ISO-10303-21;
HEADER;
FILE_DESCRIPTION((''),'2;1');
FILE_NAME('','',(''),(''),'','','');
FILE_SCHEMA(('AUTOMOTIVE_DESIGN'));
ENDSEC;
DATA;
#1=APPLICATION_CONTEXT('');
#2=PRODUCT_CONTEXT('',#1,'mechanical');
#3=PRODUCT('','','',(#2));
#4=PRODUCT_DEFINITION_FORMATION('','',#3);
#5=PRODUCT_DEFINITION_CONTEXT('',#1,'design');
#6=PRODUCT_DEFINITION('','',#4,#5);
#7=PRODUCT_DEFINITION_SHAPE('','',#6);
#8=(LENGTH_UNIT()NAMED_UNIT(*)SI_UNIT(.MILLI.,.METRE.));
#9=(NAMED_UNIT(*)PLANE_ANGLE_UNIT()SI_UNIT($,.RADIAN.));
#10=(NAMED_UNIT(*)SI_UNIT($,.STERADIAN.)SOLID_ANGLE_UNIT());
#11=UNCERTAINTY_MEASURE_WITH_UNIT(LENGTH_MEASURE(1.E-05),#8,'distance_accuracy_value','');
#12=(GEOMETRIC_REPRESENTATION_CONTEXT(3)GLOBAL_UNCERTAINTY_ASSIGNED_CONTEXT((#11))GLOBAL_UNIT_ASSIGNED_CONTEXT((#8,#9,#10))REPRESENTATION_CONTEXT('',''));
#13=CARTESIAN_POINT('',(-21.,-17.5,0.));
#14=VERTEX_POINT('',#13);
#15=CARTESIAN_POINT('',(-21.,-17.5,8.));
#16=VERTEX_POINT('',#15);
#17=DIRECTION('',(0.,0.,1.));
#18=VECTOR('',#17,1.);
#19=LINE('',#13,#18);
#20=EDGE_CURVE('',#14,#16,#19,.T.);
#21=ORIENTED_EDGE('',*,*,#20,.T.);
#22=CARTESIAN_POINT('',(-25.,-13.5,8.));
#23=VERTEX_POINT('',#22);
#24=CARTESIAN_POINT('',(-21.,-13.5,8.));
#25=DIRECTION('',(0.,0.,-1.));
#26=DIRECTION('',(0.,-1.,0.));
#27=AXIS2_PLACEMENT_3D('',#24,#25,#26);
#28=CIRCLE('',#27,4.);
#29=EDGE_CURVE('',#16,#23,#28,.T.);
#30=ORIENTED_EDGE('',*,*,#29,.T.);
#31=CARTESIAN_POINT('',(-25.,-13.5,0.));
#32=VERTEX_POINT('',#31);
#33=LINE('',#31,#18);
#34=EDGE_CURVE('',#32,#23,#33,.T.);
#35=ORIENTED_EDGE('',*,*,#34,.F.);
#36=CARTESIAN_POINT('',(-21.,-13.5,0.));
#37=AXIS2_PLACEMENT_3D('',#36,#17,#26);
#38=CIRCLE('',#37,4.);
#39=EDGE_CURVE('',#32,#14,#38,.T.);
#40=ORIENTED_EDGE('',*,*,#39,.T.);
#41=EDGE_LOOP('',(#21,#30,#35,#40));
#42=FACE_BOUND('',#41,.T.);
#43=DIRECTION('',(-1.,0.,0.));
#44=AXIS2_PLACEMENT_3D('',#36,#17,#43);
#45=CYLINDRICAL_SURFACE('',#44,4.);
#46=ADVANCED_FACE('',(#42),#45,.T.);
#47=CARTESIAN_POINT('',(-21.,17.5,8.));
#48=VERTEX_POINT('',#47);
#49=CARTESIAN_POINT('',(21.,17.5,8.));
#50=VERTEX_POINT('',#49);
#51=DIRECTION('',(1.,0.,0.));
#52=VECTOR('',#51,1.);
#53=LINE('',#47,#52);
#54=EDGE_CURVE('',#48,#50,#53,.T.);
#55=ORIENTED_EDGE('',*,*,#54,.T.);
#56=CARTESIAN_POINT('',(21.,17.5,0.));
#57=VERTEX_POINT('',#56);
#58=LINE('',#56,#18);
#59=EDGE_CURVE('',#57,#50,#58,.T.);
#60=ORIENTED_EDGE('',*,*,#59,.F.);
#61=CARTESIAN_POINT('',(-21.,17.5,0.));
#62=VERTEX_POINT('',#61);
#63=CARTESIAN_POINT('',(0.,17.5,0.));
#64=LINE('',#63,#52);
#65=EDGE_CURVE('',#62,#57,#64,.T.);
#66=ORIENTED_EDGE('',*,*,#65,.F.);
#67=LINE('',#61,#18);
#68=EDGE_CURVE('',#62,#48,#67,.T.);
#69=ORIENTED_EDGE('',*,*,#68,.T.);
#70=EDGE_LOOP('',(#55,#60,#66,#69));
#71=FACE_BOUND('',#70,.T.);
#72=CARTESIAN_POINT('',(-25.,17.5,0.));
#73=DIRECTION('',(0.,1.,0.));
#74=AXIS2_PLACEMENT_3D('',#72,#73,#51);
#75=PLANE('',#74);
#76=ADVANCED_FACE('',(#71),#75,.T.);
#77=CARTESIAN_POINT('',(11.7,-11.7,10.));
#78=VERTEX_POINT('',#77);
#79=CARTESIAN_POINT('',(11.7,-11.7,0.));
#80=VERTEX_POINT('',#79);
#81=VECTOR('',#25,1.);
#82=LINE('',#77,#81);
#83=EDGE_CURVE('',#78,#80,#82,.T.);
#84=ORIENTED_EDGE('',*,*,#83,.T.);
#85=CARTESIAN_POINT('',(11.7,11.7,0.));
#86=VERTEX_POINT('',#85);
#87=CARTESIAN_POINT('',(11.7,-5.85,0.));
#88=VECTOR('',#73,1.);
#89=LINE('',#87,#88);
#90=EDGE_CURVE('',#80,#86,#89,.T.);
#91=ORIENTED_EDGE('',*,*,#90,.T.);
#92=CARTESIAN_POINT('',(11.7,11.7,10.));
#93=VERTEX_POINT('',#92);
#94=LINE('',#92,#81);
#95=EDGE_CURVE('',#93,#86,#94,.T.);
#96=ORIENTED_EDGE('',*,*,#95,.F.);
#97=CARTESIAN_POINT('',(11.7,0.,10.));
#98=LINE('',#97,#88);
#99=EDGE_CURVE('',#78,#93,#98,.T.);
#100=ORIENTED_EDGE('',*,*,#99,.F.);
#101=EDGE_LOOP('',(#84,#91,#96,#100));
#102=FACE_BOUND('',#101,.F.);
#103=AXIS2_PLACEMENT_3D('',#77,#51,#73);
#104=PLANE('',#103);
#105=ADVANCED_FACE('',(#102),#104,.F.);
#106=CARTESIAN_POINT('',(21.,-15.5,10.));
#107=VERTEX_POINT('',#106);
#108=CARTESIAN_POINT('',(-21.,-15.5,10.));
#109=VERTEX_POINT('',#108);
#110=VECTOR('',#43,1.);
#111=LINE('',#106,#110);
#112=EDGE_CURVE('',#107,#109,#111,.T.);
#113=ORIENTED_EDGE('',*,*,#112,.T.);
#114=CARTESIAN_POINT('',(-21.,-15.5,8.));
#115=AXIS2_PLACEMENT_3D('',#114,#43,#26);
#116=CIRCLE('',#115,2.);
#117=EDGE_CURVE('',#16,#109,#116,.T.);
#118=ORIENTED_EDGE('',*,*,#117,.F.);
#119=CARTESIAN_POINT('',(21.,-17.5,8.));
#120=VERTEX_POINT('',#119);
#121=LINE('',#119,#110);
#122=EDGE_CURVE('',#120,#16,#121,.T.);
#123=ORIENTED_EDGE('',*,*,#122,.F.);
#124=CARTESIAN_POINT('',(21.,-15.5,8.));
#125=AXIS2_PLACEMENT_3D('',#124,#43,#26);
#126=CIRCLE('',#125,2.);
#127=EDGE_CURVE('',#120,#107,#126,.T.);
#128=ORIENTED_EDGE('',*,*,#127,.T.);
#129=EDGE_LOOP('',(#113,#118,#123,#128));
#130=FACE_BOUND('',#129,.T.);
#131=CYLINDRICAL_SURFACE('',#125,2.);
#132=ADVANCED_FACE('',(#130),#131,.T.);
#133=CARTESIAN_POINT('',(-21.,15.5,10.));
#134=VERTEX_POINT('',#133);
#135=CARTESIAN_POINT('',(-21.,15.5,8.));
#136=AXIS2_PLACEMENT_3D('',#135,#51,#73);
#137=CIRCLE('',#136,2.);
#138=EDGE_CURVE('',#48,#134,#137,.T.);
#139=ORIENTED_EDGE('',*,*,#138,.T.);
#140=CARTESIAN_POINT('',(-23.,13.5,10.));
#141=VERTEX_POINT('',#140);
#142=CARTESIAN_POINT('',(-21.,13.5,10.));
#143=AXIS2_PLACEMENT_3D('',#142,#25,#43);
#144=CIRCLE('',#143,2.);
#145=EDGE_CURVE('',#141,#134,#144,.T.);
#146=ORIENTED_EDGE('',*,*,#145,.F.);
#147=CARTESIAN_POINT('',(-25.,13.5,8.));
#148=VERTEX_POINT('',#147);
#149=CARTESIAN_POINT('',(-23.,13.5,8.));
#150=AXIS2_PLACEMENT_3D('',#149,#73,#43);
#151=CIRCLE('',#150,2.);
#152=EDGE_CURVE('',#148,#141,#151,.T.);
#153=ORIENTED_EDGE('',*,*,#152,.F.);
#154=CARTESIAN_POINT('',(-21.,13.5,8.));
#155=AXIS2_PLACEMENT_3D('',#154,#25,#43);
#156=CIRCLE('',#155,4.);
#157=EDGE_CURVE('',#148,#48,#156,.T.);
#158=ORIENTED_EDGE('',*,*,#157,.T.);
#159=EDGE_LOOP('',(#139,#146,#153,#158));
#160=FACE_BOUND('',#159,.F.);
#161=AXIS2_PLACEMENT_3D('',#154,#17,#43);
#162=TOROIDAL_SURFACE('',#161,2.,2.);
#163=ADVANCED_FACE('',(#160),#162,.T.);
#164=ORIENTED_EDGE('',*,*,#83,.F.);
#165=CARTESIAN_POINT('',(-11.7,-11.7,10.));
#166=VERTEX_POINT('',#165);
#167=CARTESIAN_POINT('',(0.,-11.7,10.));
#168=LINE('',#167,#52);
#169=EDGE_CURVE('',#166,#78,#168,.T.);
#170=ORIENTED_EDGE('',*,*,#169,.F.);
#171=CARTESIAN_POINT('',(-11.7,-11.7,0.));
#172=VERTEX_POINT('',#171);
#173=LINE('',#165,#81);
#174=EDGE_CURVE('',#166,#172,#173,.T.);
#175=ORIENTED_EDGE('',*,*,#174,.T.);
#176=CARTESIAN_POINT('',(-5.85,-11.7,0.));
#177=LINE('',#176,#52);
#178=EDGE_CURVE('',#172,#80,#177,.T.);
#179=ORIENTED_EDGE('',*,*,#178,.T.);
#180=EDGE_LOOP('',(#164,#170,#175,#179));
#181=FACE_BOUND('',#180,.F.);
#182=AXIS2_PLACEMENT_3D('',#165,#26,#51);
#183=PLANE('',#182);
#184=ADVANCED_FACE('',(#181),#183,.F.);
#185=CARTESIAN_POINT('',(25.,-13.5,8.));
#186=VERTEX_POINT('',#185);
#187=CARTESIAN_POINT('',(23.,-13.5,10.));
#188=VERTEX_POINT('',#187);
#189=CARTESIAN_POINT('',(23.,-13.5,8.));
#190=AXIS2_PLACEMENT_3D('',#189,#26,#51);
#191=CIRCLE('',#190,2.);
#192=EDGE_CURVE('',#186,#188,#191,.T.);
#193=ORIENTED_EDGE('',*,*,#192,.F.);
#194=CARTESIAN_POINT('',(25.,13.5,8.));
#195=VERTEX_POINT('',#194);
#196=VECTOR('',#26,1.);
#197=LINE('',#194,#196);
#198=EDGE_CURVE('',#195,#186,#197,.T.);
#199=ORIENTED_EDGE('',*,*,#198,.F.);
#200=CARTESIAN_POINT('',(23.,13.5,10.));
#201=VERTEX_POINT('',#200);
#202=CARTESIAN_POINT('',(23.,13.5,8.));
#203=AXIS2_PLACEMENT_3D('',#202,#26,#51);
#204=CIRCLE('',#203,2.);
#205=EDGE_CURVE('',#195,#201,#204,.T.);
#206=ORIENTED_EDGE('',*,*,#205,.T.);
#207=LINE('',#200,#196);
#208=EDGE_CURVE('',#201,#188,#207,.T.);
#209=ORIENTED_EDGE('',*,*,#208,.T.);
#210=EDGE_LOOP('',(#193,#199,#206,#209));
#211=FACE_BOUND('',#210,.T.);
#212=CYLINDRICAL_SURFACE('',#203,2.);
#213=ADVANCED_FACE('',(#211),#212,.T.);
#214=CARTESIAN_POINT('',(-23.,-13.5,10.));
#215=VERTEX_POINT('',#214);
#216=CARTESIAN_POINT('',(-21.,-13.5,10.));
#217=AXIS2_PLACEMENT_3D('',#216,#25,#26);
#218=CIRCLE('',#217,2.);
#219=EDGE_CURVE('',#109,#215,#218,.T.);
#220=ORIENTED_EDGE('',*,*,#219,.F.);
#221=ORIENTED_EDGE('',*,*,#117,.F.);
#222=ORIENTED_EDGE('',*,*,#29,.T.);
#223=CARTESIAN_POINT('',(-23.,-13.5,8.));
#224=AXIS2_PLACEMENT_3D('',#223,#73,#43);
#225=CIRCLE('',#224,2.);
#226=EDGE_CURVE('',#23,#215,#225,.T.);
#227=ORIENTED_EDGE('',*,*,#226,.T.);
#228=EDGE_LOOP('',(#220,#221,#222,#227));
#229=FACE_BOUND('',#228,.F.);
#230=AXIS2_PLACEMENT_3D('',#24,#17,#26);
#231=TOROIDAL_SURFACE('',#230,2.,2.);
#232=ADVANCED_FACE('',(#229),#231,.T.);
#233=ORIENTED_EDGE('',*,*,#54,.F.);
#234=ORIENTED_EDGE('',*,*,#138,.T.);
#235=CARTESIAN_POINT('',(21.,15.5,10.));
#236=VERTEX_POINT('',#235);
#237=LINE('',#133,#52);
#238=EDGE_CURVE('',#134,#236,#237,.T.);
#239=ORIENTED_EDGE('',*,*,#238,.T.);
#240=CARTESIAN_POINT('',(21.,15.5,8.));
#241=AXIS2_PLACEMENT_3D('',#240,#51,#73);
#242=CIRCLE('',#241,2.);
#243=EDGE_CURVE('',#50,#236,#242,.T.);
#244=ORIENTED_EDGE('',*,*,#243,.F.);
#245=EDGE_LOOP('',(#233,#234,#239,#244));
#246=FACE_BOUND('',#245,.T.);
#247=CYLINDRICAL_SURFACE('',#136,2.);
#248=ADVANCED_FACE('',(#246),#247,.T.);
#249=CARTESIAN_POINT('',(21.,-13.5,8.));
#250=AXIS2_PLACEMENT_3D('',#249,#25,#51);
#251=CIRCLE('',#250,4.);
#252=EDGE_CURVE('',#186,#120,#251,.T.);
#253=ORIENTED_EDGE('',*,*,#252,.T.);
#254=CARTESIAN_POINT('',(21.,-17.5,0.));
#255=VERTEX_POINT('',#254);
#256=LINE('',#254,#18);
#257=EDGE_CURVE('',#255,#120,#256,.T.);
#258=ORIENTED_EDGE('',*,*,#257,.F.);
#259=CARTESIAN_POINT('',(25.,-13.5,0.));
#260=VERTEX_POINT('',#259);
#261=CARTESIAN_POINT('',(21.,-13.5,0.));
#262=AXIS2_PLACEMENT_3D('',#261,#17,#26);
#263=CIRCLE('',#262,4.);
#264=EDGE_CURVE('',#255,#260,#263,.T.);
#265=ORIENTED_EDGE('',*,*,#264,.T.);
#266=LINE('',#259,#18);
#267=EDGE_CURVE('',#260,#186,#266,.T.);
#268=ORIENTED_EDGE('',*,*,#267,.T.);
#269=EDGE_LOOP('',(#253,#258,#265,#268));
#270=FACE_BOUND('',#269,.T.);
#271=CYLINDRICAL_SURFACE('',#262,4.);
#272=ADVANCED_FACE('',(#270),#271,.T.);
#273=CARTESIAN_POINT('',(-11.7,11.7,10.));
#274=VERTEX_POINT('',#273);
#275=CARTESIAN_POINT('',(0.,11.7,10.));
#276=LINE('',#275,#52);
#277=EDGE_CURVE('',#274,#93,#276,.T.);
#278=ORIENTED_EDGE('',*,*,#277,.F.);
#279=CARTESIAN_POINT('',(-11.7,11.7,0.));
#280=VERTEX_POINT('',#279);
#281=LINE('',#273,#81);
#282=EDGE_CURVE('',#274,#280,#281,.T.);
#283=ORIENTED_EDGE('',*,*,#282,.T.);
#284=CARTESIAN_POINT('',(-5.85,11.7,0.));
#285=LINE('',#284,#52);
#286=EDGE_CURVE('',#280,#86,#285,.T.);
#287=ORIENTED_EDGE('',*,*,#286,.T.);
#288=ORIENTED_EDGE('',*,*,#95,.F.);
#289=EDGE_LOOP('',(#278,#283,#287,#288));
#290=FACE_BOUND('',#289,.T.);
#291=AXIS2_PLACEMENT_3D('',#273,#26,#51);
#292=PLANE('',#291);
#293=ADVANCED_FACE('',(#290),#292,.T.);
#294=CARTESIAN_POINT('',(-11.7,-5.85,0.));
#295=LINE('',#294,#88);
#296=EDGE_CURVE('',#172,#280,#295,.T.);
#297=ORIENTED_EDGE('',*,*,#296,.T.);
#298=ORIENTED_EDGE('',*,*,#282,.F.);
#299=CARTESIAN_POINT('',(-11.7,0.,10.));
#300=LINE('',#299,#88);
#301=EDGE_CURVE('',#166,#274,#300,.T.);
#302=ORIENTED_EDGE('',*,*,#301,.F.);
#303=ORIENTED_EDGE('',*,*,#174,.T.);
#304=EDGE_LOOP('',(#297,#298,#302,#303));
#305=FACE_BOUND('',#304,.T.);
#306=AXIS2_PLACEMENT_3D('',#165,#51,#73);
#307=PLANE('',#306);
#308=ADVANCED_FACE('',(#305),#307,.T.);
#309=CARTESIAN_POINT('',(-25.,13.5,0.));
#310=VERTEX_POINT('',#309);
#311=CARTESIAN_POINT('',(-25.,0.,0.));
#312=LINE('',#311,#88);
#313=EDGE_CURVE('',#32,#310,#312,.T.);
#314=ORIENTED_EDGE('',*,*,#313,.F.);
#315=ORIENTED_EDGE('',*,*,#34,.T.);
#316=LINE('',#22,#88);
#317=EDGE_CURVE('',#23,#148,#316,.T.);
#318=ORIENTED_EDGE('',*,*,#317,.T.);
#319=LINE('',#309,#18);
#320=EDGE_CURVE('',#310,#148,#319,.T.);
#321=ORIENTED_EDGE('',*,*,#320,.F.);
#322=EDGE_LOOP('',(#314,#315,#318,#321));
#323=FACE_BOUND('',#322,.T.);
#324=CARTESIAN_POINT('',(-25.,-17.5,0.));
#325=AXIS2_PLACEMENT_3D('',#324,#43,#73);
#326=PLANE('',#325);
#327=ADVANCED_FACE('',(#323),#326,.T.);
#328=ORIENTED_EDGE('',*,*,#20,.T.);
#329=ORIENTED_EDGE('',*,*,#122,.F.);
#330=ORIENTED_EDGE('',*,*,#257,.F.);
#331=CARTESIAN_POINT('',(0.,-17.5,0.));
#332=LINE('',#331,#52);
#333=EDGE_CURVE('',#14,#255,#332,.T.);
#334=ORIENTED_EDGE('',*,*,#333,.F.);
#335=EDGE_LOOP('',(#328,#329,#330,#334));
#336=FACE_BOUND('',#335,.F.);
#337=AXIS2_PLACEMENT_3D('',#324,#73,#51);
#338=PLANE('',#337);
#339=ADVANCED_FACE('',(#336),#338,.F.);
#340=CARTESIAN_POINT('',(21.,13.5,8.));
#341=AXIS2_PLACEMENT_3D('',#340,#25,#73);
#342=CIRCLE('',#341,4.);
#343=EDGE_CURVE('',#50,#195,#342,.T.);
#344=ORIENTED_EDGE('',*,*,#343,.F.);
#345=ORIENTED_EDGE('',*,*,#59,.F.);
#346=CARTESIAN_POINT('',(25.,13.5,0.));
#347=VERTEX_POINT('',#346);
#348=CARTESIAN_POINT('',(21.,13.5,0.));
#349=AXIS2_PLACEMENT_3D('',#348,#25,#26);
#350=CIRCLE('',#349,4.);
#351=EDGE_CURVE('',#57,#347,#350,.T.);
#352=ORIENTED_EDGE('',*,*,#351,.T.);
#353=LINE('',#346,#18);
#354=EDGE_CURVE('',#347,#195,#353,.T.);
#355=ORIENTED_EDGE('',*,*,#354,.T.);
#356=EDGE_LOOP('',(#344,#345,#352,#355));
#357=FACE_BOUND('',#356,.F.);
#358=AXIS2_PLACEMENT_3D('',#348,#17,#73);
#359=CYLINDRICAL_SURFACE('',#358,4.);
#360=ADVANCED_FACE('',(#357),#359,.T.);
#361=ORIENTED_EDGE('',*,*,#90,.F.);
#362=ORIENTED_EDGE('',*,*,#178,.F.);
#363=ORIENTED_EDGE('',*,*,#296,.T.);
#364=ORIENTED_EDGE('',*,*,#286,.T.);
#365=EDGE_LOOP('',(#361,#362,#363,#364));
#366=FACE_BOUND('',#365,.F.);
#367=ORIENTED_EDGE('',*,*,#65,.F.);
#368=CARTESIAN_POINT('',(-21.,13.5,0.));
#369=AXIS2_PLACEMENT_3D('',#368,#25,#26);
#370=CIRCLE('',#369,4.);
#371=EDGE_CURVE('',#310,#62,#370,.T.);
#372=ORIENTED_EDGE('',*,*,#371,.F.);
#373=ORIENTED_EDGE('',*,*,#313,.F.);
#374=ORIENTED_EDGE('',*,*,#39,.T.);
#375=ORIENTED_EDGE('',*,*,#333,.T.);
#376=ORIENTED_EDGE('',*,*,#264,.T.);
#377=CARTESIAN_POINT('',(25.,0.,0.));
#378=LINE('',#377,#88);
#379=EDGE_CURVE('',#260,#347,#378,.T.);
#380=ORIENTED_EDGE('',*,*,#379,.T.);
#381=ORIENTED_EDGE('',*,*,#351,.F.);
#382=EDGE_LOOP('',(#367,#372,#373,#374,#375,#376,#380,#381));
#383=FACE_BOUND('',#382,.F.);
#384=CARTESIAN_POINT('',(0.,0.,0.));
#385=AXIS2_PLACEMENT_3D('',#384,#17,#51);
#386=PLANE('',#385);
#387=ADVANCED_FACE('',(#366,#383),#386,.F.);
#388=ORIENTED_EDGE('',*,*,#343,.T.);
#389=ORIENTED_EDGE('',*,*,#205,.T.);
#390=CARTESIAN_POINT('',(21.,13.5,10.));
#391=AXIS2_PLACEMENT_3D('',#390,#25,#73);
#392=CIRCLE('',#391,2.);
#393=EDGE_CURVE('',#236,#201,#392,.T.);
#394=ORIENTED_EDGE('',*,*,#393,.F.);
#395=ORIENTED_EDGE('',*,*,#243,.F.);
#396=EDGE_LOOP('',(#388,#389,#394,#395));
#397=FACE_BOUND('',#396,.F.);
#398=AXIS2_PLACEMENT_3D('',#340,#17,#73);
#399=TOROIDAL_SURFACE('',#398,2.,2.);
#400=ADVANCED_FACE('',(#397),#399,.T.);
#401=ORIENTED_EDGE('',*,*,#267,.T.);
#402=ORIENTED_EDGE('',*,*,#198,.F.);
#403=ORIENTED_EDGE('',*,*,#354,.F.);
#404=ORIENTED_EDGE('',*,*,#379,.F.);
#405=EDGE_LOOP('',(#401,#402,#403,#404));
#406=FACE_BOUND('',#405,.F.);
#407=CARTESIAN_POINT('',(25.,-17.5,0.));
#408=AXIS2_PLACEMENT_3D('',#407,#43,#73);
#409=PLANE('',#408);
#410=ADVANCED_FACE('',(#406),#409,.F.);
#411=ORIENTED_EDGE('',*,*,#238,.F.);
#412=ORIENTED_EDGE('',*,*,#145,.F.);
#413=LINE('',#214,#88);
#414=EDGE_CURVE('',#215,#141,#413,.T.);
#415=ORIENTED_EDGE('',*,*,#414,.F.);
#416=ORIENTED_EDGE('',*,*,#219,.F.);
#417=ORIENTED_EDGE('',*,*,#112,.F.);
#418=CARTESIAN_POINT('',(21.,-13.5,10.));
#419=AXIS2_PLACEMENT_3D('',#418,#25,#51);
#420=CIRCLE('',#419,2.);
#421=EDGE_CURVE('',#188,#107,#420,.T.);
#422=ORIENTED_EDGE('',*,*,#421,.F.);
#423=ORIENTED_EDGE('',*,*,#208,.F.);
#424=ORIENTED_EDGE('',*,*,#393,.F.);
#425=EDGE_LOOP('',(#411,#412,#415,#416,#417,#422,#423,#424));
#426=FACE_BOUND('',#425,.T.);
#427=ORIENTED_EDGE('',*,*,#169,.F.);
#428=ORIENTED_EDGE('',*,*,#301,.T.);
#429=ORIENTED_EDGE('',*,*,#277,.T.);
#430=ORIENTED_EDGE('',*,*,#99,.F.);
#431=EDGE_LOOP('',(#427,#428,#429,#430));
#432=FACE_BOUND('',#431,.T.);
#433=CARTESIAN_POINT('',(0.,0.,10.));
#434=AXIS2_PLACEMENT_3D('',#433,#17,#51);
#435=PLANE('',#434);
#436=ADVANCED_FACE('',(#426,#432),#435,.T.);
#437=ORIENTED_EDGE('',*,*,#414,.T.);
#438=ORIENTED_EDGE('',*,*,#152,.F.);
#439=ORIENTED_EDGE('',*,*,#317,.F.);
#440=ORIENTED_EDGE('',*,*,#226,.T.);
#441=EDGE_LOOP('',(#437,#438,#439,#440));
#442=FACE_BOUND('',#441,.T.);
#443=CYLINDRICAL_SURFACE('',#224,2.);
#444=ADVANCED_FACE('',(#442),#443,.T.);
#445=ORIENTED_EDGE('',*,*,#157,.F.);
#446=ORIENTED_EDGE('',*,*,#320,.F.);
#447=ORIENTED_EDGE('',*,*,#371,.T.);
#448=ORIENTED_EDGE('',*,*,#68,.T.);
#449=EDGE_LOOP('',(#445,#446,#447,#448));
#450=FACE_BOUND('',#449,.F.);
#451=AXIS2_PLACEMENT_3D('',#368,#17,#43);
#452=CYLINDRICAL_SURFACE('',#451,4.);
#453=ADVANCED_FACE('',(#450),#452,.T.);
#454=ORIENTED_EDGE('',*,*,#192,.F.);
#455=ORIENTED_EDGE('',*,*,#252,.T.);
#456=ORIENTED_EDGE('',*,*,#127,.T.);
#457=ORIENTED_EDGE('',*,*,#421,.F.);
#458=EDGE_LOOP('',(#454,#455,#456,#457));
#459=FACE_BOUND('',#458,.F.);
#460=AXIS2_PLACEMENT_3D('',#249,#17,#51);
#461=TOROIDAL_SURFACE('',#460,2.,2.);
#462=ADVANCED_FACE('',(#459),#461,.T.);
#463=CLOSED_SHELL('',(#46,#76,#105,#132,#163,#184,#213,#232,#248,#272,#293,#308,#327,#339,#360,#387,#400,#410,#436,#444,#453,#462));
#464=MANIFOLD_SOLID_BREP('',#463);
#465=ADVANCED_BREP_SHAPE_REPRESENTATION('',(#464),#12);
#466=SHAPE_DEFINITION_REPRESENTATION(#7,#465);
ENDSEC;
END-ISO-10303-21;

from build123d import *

# Parameters (mm, degrees)
SKETCH_W     = 50
SKETCH_H     = 35
PAD_DEPTH    = 10
SKETCH001_W  = 23.4
SKETCH001_H  = 23.4
POCKET_DEPTH = 10.001
FILLET_R     = 4
FILLET001_R  = 2


with BuildPart() as part:
    # Sketch → Pad (new body)
    with BuildSketch(Plane.XY):
        Rectangle(SKETCH_W, SKETCH_H)
    extrude(amount=PAD_DEPTH)

    # Sketch001 (on Face6 of Pad) → Pocket (cut, through all)
    with BuildSketch(Plane.XY.offset(10)):
        Rectangle(SKETCH001_W, SKETCH001_H)
    extrude(amount=-POCKET_DEPTH, mode=Mode.SUBTRACT)

    # Fillet
    fillet_edges = [part.edges().sort_by_distance(p)[0] for p in [
        (-25, 17.5, 5),
        (-25, -17.5, 5),
        (25, -17.5, 5),
        (25, 17.5, 5),
    ]]
    fillet(fillet_edges, radius=FILLET_R)

    # Fillet001
    fillet001_edges = [part.edges().sort_by_distance(p)[0] for p in [
        (-25, 0, 10),
        (-23.828427, 16.328427, 10),
        (0, 17.5, 10),
        (23.828427, 16.328427, 10),
        (25, 0, 10),
        (23.828427, -16.328427, 10),
        (0, -17.5, 10),
        (-23.828427, -16.328427, 10),
    ]]
    fillet(fillet001_edges, radius=FILLET001_R)


solid = part.part
